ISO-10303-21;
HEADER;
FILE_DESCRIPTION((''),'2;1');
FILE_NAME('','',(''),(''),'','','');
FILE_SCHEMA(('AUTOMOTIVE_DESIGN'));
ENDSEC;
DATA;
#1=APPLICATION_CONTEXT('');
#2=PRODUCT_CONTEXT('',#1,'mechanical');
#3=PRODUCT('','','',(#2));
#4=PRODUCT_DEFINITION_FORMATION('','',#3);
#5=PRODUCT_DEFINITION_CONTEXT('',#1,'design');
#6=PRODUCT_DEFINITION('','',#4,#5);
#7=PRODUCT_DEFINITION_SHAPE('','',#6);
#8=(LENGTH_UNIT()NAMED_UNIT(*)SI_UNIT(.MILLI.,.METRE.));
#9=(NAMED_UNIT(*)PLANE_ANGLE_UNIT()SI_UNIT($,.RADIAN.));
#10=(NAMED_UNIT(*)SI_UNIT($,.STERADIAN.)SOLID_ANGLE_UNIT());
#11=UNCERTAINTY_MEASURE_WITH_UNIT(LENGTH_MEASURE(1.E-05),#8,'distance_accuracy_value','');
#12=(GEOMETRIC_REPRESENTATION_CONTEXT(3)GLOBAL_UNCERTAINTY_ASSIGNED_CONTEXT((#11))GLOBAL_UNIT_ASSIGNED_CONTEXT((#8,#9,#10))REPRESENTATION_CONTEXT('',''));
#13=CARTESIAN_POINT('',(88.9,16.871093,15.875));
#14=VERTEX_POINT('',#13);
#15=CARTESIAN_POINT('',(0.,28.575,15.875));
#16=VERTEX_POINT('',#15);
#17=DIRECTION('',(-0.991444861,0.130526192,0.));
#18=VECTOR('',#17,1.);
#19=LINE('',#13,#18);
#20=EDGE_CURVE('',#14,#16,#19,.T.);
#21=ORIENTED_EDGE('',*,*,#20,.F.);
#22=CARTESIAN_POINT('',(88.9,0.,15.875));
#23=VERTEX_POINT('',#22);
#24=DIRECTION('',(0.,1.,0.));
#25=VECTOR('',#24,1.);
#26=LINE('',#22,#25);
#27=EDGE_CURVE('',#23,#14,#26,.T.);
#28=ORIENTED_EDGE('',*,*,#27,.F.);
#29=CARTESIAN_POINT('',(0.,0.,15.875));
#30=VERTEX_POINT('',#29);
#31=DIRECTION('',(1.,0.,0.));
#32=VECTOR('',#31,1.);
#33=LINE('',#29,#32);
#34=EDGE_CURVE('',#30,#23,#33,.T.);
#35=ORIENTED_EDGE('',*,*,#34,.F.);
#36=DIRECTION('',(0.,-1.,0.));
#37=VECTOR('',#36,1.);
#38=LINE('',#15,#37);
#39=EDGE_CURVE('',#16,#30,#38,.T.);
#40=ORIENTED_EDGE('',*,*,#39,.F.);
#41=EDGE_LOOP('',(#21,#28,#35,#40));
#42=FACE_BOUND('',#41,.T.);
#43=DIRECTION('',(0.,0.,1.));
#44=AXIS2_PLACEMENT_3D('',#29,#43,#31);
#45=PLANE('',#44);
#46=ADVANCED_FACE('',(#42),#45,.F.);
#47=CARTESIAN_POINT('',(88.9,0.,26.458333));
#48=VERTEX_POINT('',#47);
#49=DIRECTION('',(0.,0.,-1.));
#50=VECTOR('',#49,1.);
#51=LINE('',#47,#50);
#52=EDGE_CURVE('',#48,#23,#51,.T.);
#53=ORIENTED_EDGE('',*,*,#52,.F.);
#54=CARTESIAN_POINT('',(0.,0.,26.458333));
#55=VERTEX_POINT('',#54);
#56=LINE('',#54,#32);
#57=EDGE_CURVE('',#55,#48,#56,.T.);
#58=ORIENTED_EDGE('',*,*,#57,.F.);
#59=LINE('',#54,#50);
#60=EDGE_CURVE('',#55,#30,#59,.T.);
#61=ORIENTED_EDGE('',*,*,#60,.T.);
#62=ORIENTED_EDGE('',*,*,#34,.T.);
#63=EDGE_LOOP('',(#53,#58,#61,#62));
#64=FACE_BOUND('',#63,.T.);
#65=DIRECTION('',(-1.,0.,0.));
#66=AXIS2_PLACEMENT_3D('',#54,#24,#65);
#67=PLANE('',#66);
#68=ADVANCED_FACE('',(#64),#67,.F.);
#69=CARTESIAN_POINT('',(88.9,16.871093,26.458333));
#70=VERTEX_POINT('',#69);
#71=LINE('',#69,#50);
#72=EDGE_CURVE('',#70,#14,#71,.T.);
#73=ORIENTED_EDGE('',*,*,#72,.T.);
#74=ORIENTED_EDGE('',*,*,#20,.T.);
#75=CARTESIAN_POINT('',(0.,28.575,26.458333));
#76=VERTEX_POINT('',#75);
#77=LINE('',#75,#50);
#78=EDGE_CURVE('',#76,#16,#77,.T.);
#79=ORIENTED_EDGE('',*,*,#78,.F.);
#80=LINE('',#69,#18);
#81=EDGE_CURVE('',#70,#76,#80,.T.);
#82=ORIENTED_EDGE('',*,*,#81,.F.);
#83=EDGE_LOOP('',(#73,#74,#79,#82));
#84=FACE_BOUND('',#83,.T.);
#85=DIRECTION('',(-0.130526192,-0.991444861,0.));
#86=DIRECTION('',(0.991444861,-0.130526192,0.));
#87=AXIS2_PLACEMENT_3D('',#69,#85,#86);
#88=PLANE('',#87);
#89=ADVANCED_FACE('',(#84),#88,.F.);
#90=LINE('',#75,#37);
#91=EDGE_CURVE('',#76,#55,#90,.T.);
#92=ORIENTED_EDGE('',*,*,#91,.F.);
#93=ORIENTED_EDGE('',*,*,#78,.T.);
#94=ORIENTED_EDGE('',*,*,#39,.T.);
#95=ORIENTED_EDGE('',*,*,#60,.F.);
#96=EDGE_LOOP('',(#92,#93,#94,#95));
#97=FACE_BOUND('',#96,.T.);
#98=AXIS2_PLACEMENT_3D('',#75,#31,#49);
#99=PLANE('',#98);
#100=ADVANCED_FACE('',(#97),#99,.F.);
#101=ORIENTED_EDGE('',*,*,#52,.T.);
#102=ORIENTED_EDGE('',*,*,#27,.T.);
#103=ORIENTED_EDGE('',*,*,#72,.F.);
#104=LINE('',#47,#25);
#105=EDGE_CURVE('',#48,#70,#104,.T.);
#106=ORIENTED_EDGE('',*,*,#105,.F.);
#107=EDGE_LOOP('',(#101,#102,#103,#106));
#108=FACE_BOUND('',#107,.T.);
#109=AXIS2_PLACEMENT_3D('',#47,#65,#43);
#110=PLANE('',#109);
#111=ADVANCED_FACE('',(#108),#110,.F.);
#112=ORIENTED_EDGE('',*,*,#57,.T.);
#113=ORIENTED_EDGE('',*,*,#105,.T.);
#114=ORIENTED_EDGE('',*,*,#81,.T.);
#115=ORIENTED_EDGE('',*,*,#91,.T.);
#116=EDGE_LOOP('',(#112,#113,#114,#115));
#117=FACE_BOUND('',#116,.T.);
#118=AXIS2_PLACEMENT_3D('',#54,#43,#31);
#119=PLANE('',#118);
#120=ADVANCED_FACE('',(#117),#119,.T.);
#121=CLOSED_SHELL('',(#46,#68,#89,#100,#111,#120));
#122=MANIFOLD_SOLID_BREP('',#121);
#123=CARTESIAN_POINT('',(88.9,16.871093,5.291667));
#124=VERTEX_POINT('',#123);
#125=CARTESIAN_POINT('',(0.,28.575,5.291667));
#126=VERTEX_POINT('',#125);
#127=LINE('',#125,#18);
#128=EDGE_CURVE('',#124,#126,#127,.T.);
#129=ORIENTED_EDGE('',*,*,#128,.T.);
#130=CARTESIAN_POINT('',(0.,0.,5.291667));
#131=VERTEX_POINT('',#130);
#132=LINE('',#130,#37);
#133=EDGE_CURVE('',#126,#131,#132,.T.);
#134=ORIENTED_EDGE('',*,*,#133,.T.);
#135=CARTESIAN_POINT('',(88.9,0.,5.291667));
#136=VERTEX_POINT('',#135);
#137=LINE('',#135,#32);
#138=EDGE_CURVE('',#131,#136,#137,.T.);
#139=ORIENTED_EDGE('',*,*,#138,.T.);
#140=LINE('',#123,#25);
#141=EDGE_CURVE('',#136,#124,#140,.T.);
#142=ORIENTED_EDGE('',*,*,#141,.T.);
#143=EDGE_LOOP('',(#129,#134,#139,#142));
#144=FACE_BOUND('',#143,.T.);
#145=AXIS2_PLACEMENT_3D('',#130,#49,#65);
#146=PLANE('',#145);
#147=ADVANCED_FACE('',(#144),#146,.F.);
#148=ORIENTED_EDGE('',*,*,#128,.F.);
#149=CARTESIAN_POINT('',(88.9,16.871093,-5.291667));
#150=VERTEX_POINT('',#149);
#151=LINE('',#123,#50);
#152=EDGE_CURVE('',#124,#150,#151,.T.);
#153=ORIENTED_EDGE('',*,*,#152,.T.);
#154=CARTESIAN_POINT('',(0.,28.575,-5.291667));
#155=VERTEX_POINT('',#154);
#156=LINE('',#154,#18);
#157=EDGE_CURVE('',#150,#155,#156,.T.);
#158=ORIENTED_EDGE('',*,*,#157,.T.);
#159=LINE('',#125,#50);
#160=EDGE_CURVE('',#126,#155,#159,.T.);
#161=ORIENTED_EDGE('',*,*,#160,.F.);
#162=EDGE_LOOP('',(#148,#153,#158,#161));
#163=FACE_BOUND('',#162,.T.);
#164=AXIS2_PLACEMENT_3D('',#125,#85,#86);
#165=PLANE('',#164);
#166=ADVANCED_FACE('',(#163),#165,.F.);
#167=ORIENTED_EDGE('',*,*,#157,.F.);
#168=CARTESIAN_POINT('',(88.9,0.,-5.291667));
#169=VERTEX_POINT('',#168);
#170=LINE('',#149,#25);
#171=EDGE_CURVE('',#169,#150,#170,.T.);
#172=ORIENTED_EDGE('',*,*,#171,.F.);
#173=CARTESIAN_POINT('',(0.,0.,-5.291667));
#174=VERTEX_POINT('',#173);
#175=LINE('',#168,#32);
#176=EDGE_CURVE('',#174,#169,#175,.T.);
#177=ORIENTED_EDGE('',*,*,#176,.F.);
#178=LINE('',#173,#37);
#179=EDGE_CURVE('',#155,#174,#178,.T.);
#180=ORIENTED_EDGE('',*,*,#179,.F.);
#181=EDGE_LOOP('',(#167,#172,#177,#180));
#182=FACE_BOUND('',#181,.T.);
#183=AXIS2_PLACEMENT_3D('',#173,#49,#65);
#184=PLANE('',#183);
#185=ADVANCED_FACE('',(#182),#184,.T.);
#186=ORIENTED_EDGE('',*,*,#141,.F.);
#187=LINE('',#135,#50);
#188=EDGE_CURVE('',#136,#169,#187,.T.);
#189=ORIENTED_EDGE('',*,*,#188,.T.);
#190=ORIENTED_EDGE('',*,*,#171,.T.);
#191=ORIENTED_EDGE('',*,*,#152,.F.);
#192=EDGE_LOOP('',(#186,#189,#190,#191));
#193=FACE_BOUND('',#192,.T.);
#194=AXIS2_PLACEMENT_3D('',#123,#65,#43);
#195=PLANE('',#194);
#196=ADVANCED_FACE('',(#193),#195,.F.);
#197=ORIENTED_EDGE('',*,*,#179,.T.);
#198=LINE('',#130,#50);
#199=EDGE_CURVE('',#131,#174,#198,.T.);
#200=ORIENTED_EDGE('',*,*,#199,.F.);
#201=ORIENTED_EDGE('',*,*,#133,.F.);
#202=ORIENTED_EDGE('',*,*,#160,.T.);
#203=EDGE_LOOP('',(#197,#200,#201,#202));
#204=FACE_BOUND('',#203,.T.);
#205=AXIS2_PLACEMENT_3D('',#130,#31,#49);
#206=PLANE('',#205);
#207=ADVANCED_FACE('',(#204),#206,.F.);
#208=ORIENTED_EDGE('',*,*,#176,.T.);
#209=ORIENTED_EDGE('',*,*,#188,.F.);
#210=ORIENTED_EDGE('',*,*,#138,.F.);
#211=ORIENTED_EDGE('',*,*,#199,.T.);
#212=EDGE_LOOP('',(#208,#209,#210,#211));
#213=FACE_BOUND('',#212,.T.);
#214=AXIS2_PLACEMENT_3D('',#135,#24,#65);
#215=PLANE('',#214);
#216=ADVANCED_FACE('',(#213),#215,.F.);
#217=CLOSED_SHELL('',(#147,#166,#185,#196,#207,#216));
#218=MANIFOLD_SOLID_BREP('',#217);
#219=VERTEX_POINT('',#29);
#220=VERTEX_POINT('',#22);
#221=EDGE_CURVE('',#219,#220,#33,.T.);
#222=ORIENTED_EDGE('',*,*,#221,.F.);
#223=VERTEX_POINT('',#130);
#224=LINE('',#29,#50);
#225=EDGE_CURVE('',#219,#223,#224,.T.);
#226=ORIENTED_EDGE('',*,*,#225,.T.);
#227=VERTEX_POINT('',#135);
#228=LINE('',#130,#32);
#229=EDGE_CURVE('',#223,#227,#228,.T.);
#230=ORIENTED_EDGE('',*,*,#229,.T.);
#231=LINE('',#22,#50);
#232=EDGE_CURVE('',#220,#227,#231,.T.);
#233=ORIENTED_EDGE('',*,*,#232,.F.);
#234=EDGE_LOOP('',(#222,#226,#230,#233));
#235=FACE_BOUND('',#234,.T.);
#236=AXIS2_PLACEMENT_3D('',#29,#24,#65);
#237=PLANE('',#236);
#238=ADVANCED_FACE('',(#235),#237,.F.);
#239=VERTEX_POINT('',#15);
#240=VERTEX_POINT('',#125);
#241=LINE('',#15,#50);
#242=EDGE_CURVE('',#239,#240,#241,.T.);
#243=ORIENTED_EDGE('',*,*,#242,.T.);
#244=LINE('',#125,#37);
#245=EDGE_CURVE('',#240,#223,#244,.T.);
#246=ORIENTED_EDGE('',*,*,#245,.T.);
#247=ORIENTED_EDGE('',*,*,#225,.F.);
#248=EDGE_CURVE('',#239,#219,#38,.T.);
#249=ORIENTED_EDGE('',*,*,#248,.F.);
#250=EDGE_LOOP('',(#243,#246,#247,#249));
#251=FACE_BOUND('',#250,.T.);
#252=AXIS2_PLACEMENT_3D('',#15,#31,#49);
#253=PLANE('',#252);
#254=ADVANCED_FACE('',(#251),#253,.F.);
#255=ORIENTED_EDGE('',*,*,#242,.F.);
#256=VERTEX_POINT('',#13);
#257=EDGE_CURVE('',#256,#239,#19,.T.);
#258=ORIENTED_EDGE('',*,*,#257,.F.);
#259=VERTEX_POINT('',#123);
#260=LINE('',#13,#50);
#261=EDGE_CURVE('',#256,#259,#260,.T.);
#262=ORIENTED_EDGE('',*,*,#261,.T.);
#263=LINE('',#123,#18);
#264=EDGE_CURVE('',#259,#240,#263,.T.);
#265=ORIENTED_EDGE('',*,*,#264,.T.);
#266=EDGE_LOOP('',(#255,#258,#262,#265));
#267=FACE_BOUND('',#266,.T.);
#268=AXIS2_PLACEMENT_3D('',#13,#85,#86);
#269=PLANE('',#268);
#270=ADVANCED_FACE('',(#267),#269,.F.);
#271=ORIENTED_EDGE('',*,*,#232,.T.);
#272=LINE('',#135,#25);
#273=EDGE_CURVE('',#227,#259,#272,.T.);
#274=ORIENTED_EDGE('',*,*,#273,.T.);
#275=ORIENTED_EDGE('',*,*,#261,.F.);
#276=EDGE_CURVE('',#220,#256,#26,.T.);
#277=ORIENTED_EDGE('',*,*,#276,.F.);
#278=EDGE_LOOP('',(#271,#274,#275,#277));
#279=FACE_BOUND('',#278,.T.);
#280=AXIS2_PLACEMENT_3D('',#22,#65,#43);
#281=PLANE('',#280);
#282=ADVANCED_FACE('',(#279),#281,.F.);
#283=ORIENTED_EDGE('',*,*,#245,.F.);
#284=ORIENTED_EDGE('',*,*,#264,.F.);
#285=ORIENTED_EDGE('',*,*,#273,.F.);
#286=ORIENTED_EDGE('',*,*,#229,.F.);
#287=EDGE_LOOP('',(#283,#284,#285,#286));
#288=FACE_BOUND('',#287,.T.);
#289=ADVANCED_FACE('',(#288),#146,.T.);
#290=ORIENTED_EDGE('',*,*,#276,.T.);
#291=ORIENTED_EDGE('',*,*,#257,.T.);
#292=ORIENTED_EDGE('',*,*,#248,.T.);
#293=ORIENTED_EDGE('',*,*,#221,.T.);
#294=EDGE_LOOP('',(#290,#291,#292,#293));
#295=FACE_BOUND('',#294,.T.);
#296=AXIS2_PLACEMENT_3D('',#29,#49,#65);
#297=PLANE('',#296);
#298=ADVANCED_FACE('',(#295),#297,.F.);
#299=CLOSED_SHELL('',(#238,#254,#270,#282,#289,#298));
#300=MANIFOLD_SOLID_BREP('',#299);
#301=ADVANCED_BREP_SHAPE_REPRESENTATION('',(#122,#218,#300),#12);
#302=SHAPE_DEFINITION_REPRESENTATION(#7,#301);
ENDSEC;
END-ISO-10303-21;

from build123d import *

# Parameters (mm, degrees)
BOSS_EXTRUDE1_DEPTH = 5.291666667
BOSS_EXTRUDE2_DEPTH = 10.583333333
BOSS_EXTRUDE3_DEPTH = 10.583333333


with BuildPart() as part:
    # Sketch1 → Boss-Extrude1 (new, symmetric)
    with BuildSketch(Plane.XY):
        Polygon((0, 0), (0, 28.575), (88.9, 16.871092964), (88.9, 0), align=None)
    extrude(amount=BOSS_EXTRUDE1_DEPTH, both=True)


with BuildPart() as body_2:
    # Sketch2 → Boss-Extrude2 (new body)
    with BuildSketch(Plane.XY.offset(5.291666667)):
        Polygon((88.9, 16.871092964), (0, 28.575), (0, 0), (88.9, 0), align=None)
    extrude(amount=BOSS_EXTRUDE2_DEPTH)


with BuildPart() as body_3:
    # Sketch3 → Boss-Extrude3 (new body)
    with BuildSketch(Plane.XY.offset(15.875)):
        Polygon((88.9, 0), (88.9, 16.871092964), (0, 28.575), (0, 0), align=None)
    extrude(amount=BOSS_EXTRUDE3_DEPTH)


solid = Compound([part.part, body_2.part, body_3.part])
